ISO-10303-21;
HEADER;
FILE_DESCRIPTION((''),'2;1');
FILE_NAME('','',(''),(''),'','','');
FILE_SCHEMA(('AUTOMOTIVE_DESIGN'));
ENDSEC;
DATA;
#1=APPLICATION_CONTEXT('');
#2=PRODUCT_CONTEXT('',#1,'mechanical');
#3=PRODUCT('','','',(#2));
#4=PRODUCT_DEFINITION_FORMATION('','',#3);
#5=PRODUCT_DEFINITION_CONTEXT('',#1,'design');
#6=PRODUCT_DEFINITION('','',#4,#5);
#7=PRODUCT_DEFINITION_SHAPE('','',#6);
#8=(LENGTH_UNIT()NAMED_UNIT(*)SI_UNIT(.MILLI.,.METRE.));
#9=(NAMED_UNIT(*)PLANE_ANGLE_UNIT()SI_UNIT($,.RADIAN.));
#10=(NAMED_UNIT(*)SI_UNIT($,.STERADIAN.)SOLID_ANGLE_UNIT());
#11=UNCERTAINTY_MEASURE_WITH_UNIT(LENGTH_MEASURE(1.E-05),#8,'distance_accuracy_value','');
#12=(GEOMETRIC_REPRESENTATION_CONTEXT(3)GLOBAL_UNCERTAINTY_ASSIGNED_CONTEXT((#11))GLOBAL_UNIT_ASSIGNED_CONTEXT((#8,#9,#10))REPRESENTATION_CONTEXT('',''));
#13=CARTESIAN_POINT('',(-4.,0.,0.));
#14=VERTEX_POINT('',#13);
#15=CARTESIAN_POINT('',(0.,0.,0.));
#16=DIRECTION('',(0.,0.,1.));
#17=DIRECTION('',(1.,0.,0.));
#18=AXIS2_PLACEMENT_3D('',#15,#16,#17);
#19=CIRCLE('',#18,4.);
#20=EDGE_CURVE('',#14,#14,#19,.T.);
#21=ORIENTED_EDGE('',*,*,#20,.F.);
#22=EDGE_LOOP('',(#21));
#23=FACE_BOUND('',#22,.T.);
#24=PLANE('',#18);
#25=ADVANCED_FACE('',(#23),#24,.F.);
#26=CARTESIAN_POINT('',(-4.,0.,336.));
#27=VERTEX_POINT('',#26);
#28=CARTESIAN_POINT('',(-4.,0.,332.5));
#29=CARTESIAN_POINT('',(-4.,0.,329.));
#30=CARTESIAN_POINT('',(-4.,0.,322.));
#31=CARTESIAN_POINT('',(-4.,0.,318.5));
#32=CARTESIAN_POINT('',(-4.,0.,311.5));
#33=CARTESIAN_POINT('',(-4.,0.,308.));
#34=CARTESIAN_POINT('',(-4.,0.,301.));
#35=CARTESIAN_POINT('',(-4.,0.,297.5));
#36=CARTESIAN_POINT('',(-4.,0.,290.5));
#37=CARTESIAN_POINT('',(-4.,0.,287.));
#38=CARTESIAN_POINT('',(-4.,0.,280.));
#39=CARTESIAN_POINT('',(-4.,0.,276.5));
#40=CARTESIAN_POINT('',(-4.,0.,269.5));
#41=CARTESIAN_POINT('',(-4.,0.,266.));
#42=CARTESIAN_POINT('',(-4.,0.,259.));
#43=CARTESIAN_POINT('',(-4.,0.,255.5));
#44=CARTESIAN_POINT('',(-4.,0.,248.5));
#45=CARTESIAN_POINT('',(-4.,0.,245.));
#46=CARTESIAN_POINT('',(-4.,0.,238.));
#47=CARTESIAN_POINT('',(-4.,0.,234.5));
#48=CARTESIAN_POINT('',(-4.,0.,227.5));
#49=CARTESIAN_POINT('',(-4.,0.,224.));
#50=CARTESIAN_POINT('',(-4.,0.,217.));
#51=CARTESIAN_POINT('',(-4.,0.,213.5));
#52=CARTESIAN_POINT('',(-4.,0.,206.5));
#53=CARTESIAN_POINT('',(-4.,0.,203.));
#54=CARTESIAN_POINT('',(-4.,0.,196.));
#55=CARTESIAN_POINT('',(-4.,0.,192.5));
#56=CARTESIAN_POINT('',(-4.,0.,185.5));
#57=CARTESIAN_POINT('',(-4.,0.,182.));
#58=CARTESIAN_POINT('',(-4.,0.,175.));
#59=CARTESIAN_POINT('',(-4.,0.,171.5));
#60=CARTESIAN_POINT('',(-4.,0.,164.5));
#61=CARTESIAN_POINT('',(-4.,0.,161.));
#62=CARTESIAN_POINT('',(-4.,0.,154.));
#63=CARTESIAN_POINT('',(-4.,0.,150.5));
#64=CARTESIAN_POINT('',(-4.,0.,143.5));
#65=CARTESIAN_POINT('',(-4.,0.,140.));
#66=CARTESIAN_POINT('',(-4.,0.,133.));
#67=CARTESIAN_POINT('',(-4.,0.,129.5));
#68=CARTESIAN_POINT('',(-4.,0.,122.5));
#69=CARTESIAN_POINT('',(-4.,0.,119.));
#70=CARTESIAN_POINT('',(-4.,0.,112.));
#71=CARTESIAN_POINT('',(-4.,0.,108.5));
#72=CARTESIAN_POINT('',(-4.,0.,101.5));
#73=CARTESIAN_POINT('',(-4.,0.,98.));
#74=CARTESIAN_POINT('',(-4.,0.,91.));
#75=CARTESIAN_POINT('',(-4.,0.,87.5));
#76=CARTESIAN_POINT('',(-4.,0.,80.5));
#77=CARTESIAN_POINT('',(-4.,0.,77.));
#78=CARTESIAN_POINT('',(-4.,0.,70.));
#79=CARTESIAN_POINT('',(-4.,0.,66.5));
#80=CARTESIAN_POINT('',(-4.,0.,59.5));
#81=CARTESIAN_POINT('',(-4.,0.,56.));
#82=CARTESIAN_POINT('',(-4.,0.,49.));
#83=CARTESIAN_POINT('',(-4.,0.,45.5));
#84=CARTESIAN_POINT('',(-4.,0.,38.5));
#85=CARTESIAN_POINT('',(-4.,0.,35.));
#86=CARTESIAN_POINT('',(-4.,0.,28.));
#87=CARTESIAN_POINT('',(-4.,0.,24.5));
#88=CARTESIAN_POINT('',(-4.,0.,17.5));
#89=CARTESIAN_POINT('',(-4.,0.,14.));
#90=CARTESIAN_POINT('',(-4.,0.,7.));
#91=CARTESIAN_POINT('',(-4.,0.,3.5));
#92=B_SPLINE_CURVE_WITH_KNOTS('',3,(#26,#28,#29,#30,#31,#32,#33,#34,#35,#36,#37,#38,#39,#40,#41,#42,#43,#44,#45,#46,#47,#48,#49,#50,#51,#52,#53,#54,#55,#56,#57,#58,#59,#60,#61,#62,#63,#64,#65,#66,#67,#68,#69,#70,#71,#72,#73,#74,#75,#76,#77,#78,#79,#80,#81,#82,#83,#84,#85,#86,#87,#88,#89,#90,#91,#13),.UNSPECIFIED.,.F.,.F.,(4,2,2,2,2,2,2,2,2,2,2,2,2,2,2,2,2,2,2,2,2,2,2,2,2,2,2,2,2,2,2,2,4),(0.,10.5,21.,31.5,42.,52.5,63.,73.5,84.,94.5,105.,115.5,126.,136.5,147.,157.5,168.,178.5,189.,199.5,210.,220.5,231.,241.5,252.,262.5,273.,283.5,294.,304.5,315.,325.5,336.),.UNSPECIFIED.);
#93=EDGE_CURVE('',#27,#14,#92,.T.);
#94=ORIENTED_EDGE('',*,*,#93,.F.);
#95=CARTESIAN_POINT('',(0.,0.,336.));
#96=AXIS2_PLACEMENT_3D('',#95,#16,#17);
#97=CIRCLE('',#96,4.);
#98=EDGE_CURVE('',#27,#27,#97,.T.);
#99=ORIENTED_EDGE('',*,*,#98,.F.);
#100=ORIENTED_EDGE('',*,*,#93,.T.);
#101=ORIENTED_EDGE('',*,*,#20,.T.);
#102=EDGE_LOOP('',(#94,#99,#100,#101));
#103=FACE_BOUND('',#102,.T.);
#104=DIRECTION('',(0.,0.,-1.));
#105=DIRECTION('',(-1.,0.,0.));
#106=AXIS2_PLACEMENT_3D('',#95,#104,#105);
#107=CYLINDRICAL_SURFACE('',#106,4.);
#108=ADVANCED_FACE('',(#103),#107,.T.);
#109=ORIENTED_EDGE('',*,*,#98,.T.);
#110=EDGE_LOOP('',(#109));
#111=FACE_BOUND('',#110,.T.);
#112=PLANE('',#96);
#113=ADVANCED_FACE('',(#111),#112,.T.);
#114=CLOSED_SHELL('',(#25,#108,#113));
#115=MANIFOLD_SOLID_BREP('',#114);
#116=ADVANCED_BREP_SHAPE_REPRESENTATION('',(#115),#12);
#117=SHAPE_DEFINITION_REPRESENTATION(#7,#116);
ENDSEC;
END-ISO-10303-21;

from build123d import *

# Parameters (mm, degrees)
ESQUISSE1_R        = 4
BOSS_EXTRU_1_DEPTH = 336


with BuildPart() as part:
    # Esquisse1 → Boss.-Extru.1 (new body)
    with BuildSketch(Plane.XY):
        with Locations(Location((0, 0, 0), (0, 0, 180))):
            Circle(ESQUISSE1_R)
    extrude(amount=BOSS_EXTRU_1_DEPTH)


solid = part.part
